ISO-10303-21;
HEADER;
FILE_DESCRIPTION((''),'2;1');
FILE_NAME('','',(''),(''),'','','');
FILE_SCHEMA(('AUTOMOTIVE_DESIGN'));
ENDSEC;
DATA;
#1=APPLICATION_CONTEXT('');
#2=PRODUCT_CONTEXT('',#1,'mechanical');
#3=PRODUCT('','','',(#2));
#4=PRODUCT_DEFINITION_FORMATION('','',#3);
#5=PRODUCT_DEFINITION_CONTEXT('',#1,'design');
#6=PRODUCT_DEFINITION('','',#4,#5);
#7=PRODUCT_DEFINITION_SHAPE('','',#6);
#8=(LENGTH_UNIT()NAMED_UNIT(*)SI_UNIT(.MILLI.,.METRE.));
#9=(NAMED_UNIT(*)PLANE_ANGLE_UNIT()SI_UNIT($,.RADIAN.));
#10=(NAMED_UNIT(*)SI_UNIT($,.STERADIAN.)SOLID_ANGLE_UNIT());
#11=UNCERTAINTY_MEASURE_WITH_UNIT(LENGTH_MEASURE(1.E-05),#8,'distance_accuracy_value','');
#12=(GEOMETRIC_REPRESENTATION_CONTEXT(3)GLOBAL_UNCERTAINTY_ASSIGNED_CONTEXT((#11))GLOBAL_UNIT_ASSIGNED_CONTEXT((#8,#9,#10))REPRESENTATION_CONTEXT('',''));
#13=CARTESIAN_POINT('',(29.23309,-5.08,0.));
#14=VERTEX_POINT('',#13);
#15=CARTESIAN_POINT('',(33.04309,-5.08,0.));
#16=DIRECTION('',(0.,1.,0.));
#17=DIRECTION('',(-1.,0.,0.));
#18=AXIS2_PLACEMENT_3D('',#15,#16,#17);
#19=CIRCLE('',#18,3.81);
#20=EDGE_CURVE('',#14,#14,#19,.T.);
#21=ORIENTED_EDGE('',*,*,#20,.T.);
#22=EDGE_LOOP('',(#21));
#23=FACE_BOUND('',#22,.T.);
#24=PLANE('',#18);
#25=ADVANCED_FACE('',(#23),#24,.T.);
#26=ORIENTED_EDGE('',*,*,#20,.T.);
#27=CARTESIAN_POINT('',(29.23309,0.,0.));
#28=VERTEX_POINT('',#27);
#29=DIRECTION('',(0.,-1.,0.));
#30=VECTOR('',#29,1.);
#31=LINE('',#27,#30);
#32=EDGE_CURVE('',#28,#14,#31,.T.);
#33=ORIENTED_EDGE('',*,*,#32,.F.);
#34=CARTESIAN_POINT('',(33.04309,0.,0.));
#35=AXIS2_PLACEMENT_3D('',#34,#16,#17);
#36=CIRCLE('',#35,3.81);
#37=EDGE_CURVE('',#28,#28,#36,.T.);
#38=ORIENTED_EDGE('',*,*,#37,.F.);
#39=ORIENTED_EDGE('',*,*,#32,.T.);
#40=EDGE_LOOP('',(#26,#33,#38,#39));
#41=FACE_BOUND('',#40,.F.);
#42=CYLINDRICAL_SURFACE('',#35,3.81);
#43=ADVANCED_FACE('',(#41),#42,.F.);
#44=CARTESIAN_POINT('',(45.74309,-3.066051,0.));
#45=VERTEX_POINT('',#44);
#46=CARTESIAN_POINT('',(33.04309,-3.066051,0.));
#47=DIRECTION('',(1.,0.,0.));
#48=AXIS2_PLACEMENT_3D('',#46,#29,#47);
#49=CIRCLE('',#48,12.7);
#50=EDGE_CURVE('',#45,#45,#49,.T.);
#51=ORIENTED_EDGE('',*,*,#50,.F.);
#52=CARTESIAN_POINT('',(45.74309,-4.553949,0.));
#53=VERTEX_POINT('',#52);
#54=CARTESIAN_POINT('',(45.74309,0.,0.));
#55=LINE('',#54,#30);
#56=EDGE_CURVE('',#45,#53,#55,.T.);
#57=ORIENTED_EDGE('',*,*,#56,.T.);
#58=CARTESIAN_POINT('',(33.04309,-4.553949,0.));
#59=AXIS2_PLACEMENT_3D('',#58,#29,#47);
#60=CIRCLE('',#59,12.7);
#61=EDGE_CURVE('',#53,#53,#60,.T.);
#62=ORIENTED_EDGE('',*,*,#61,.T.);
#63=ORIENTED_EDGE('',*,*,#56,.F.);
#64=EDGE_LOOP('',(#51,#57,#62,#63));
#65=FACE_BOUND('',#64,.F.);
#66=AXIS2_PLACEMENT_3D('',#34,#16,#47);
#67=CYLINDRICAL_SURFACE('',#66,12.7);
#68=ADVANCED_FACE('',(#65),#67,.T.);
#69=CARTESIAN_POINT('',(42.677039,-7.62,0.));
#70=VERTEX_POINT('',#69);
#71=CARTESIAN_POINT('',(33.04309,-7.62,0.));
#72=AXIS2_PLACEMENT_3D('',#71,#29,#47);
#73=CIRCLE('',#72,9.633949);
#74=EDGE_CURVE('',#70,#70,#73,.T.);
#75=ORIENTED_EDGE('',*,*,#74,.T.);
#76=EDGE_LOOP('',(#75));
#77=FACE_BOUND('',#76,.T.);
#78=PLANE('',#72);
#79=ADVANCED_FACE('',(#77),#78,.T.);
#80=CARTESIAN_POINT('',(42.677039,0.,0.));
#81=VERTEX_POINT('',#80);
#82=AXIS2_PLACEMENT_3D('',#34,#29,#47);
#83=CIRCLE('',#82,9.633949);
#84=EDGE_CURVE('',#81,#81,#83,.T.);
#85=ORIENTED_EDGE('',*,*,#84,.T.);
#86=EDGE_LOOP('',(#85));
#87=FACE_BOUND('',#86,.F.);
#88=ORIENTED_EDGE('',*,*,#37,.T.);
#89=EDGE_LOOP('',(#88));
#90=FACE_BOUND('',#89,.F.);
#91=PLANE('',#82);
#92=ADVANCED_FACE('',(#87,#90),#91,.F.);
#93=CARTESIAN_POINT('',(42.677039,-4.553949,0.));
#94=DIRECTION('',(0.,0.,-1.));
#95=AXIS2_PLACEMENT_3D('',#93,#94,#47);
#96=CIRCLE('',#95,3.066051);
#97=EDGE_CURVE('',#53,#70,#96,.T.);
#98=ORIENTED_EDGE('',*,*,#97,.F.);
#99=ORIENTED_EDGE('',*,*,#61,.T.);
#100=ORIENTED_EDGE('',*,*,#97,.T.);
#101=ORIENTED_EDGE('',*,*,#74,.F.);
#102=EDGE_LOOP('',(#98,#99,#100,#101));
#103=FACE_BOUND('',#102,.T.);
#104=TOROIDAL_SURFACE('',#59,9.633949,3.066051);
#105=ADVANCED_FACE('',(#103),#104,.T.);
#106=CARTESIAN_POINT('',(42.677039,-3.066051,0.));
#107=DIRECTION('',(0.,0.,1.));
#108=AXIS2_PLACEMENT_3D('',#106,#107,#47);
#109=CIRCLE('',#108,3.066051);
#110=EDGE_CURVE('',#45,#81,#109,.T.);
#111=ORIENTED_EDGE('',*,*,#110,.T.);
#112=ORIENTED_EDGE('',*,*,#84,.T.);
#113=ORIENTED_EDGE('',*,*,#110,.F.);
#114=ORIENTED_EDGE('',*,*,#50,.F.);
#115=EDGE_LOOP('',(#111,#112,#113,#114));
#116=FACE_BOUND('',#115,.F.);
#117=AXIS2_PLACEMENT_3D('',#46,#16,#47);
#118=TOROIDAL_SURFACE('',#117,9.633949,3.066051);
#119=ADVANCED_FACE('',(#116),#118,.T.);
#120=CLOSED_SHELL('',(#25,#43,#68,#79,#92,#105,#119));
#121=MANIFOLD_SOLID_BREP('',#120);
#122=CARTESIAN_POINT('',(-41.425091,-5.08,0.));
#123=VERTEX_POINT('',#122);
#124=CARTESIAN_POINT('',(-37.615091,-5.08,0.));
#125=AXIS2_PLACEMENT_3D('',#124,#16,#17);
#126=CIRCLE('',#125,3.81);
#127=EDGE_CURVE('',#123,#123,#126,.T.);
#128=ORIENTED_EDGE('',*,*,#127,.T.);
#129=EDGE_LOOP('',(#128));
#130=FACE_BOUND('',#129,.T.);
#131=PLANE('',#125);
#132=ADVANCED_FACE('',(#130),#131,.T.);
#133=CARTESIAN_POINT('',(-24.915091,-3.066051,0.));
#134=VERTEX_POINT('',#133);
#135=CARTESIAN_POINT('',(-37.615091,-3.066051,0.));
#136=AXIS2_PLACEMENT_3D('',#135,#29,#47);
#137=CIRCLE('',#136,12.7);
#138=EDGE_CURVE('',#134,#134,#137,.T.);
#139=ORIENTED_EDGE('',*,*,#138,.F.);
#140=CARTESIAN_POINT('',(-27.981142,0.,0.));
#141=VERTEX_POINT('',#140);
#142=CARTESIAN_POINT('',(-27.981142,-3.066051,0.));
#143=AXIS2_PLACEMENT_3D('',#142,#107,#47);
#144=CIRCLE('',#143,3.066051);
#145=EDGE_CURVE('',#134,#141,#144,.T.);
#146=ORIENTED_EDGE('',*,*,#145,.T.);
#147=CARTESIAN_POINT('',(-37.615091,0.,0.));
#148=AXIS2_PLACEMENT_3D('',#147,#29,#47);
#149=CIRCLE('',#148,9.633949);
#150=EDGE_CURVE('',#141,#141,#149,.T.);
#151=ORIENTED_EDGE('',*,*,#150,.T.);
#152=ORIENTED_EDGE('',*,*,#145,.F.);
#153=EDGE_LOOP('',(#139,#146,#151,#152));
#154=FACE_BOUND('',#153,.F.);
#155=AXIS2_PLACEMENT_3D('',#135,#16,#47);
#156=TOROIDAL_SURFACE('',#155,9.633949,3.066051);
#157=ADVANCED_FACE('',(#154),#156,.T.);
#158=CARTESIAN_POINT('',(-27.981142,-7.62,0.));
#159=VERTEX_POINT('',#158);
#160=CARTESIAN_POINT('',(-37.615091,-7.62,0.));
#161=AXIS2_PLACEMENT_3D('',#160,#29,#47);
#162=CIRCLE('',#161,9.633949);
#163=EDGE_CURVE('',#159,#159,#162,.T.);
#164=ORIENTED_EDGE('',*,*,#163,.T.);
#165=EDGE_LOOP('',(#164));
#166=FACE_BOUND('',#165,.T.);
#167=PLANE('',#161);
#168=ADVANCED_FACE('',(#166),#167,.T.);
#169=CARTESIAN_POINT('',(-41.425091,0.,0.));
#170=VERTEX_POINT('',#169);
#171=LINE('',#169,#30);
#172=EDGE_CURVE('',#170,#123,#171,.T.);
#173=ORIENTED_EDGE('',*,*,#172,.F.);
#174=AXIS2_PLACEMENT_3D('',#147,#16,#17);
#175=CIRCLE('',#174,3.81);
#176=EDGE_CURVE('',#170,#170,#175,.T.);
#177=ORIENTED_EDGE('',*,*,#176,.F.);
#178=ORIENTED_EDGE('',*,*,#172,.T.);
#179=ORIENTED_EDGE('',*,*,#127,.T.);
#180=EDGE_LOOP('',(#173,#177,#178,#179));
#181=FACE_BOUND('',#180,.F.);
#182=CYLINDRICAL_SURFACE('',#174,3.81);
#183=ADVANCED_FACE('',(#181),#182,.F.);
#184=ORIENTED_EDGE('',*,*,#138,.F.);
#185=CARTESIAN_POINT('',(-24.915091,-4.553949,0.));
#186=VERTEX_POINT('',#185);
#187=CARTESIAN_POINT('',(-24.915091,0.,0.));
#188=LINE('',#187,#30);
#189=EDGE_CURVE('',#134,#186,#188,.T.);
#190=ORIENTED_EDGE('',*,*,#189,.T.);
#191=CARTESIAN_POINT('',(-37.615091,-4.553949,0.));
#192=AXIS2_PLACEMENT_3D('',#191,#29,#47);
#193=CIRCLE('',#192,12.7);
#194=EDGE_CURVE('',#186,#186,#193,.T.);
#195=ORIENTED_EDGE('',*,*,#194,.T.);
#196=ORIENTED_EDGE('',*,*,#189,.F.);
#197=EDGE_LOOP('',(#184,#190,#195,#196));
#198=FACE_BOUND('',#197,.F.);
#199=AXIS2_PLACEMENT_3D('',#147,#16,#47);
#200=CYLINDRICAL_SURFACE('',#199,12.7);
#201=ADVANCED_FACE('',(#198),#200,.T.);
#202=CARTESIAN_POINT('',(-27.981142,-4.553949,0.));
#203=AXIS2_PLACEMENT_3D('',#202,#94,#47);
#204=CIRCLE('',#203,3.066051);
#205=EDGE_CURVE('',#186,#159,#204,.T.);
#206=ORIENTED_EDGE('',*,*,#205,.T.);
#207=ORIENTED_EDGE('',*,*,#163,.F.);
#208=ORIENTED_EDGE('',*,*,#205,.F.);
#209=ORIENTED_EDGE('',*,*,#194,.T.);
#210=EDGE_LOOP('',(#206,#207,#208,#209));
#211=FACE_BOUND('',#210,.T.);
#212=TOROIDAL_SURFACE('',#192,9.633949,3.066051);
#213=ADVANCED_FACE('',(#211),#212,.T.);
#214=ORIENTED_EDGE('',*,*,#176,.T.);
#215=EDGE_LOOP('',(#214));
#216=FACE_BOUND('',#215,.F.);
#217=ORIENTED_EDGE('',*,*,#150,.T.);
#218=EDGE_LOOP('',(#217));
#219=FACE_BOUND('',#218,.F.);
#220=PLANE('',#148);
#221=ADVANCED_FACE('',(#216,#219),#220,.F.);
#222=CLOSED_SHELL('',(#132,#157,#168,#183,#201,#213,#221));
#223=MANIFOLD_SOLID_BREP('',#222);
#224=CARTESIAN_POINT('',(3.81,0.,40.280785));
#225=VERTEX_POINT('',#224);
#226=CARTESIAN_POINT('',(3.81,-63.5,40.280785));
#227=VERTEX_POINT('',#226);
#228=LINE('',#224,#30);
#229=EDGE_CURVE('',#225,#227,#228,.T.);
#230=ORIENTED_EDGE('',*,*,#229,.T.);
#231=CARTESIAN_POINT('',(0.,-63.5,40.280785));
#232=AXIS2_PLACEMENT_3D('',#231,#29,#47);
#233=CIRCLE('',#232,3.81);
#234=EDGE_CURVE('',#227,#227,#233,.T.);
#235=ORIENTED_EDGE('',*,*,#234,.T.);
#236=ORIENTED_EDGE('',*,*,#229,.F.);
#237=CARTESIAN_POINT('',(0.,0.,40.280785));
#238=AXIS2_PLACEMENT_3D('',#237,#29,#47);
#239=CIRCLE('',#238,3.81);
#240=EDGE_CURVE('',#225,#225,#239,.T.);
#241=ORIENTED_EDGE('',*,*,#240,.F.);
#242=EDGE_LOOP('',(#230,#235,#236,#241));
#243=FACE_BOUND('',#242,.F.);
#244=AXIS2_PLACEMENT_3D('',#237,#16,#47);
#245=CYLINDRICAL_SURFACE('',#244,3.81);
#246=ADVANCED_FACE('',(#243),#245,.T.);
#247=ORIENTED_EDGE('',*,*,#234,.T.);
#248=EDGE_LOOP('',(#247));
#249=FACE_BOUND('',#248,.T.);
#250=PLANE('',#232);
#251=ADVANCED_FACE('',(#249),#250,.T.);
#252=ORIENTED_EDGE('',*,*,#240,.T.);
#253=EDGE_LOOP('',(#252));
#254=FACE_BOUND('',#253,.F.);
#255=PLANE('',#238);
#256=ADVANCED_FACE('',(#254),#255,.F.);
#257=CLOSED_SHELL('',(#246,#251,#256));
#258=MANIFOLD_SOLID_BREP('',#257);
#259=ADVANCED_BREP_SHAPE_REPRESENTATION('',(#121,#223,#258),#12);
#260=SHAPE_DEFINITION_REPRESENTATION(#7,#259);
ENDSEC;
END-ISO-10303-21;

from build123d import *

# Parameters (mm, degrees)
F0_R      = 12.7
F1_DEPTH  = 7.62
F2_R      = 3.0660512242
F2_2_R    = 3.0660512242
F3_R      = 4.445
F4_DEPTH  = 3.556
F5_R      = 3.81
F6_DEPTH  = 5.08
F7_R      = 3.81
F8_DEPTH  = 5.08
F9_R      = 3.81
F10_DEPTH = 63.5


with BuildPart() as f1:
    # F0 (on Front) → F1 (new body)
    with BuildSketch(Plane.XZ):
        with Locations((-37.6150906086, 0)):
            Circle(F0_R)
    extrude(amount=F1_DEPTH)

    # F2#2
    f2_2_edges = [f1.edges().sort_by_distance(p)[0] for p in [
        (-50.315091, 0, 0),
        (-50.315091, -7.62, 0),
    ]]
    fillet(f2_2_edges, radius=F2_2_R)

    # F3 (on face) → F4 (cut)
    with BuildSketch(Plane.XZ.offset(7.62)):
        with Locations((-37.6150906086, 0)):
            Circle(F3_R)
        with Locations((33.1243872643, 0)):
            Circle(F3_R)
    extrude(amount=F4_DEPTH, mode=Mode.SUBTRACT)

    # F5 (on face) → F6 (cut)
    with BuildSketch(Plane(origin=(0, 0, 0), x_dir=(-1, 0, 0), z_dir=(0, 1, 0))):
        with Locations((37.6150906086, 0)):
            Circle(F5_R)
    extrude(amount=-F6_DEPTH, mode=Mode.SUBTRACT)


with BuildPart() as f1b:
    # F0 (on Front) → F1, piece 2 (new body)
    with BuildSketch(Plane.XZ):
        with Locations((33.0430902541, 0)):
            Circle(F0_R)
    extrude(amount=F1_DEPTH)

    # F2
    f2_edges = [f1b.edges().sort_by_distance(p)[0] for p in [
        (20.34309, -7.62, 0),
        (20.34309, 0, 0),
    ]]
    fillet(f2_edges, radius=F2_R)

    # F7 (on face) → F8 (cut)
    with BuildSketch(Plane(origin=(0, 0, 0), x_dir=(-1, 0, 0), z_dir=(0, 1, 0))):
        with Locations((-33.0430902541, 0)):
            Circle(F7_R)
    extrude(amount=-F8_DEPTH, mode=Mode.SUBTRACT)


with BuildPart() as f10:
    # F9 (on Front) → F10 (new body)
    with BuildSketch(Plane.XZ):
        with Locations((0, 40.2807854116)):
            Circle(F9_R)
    extrude(amount=F10_DEPTH)


solid = Compound([f1.part, f1b.part, f10.part])
